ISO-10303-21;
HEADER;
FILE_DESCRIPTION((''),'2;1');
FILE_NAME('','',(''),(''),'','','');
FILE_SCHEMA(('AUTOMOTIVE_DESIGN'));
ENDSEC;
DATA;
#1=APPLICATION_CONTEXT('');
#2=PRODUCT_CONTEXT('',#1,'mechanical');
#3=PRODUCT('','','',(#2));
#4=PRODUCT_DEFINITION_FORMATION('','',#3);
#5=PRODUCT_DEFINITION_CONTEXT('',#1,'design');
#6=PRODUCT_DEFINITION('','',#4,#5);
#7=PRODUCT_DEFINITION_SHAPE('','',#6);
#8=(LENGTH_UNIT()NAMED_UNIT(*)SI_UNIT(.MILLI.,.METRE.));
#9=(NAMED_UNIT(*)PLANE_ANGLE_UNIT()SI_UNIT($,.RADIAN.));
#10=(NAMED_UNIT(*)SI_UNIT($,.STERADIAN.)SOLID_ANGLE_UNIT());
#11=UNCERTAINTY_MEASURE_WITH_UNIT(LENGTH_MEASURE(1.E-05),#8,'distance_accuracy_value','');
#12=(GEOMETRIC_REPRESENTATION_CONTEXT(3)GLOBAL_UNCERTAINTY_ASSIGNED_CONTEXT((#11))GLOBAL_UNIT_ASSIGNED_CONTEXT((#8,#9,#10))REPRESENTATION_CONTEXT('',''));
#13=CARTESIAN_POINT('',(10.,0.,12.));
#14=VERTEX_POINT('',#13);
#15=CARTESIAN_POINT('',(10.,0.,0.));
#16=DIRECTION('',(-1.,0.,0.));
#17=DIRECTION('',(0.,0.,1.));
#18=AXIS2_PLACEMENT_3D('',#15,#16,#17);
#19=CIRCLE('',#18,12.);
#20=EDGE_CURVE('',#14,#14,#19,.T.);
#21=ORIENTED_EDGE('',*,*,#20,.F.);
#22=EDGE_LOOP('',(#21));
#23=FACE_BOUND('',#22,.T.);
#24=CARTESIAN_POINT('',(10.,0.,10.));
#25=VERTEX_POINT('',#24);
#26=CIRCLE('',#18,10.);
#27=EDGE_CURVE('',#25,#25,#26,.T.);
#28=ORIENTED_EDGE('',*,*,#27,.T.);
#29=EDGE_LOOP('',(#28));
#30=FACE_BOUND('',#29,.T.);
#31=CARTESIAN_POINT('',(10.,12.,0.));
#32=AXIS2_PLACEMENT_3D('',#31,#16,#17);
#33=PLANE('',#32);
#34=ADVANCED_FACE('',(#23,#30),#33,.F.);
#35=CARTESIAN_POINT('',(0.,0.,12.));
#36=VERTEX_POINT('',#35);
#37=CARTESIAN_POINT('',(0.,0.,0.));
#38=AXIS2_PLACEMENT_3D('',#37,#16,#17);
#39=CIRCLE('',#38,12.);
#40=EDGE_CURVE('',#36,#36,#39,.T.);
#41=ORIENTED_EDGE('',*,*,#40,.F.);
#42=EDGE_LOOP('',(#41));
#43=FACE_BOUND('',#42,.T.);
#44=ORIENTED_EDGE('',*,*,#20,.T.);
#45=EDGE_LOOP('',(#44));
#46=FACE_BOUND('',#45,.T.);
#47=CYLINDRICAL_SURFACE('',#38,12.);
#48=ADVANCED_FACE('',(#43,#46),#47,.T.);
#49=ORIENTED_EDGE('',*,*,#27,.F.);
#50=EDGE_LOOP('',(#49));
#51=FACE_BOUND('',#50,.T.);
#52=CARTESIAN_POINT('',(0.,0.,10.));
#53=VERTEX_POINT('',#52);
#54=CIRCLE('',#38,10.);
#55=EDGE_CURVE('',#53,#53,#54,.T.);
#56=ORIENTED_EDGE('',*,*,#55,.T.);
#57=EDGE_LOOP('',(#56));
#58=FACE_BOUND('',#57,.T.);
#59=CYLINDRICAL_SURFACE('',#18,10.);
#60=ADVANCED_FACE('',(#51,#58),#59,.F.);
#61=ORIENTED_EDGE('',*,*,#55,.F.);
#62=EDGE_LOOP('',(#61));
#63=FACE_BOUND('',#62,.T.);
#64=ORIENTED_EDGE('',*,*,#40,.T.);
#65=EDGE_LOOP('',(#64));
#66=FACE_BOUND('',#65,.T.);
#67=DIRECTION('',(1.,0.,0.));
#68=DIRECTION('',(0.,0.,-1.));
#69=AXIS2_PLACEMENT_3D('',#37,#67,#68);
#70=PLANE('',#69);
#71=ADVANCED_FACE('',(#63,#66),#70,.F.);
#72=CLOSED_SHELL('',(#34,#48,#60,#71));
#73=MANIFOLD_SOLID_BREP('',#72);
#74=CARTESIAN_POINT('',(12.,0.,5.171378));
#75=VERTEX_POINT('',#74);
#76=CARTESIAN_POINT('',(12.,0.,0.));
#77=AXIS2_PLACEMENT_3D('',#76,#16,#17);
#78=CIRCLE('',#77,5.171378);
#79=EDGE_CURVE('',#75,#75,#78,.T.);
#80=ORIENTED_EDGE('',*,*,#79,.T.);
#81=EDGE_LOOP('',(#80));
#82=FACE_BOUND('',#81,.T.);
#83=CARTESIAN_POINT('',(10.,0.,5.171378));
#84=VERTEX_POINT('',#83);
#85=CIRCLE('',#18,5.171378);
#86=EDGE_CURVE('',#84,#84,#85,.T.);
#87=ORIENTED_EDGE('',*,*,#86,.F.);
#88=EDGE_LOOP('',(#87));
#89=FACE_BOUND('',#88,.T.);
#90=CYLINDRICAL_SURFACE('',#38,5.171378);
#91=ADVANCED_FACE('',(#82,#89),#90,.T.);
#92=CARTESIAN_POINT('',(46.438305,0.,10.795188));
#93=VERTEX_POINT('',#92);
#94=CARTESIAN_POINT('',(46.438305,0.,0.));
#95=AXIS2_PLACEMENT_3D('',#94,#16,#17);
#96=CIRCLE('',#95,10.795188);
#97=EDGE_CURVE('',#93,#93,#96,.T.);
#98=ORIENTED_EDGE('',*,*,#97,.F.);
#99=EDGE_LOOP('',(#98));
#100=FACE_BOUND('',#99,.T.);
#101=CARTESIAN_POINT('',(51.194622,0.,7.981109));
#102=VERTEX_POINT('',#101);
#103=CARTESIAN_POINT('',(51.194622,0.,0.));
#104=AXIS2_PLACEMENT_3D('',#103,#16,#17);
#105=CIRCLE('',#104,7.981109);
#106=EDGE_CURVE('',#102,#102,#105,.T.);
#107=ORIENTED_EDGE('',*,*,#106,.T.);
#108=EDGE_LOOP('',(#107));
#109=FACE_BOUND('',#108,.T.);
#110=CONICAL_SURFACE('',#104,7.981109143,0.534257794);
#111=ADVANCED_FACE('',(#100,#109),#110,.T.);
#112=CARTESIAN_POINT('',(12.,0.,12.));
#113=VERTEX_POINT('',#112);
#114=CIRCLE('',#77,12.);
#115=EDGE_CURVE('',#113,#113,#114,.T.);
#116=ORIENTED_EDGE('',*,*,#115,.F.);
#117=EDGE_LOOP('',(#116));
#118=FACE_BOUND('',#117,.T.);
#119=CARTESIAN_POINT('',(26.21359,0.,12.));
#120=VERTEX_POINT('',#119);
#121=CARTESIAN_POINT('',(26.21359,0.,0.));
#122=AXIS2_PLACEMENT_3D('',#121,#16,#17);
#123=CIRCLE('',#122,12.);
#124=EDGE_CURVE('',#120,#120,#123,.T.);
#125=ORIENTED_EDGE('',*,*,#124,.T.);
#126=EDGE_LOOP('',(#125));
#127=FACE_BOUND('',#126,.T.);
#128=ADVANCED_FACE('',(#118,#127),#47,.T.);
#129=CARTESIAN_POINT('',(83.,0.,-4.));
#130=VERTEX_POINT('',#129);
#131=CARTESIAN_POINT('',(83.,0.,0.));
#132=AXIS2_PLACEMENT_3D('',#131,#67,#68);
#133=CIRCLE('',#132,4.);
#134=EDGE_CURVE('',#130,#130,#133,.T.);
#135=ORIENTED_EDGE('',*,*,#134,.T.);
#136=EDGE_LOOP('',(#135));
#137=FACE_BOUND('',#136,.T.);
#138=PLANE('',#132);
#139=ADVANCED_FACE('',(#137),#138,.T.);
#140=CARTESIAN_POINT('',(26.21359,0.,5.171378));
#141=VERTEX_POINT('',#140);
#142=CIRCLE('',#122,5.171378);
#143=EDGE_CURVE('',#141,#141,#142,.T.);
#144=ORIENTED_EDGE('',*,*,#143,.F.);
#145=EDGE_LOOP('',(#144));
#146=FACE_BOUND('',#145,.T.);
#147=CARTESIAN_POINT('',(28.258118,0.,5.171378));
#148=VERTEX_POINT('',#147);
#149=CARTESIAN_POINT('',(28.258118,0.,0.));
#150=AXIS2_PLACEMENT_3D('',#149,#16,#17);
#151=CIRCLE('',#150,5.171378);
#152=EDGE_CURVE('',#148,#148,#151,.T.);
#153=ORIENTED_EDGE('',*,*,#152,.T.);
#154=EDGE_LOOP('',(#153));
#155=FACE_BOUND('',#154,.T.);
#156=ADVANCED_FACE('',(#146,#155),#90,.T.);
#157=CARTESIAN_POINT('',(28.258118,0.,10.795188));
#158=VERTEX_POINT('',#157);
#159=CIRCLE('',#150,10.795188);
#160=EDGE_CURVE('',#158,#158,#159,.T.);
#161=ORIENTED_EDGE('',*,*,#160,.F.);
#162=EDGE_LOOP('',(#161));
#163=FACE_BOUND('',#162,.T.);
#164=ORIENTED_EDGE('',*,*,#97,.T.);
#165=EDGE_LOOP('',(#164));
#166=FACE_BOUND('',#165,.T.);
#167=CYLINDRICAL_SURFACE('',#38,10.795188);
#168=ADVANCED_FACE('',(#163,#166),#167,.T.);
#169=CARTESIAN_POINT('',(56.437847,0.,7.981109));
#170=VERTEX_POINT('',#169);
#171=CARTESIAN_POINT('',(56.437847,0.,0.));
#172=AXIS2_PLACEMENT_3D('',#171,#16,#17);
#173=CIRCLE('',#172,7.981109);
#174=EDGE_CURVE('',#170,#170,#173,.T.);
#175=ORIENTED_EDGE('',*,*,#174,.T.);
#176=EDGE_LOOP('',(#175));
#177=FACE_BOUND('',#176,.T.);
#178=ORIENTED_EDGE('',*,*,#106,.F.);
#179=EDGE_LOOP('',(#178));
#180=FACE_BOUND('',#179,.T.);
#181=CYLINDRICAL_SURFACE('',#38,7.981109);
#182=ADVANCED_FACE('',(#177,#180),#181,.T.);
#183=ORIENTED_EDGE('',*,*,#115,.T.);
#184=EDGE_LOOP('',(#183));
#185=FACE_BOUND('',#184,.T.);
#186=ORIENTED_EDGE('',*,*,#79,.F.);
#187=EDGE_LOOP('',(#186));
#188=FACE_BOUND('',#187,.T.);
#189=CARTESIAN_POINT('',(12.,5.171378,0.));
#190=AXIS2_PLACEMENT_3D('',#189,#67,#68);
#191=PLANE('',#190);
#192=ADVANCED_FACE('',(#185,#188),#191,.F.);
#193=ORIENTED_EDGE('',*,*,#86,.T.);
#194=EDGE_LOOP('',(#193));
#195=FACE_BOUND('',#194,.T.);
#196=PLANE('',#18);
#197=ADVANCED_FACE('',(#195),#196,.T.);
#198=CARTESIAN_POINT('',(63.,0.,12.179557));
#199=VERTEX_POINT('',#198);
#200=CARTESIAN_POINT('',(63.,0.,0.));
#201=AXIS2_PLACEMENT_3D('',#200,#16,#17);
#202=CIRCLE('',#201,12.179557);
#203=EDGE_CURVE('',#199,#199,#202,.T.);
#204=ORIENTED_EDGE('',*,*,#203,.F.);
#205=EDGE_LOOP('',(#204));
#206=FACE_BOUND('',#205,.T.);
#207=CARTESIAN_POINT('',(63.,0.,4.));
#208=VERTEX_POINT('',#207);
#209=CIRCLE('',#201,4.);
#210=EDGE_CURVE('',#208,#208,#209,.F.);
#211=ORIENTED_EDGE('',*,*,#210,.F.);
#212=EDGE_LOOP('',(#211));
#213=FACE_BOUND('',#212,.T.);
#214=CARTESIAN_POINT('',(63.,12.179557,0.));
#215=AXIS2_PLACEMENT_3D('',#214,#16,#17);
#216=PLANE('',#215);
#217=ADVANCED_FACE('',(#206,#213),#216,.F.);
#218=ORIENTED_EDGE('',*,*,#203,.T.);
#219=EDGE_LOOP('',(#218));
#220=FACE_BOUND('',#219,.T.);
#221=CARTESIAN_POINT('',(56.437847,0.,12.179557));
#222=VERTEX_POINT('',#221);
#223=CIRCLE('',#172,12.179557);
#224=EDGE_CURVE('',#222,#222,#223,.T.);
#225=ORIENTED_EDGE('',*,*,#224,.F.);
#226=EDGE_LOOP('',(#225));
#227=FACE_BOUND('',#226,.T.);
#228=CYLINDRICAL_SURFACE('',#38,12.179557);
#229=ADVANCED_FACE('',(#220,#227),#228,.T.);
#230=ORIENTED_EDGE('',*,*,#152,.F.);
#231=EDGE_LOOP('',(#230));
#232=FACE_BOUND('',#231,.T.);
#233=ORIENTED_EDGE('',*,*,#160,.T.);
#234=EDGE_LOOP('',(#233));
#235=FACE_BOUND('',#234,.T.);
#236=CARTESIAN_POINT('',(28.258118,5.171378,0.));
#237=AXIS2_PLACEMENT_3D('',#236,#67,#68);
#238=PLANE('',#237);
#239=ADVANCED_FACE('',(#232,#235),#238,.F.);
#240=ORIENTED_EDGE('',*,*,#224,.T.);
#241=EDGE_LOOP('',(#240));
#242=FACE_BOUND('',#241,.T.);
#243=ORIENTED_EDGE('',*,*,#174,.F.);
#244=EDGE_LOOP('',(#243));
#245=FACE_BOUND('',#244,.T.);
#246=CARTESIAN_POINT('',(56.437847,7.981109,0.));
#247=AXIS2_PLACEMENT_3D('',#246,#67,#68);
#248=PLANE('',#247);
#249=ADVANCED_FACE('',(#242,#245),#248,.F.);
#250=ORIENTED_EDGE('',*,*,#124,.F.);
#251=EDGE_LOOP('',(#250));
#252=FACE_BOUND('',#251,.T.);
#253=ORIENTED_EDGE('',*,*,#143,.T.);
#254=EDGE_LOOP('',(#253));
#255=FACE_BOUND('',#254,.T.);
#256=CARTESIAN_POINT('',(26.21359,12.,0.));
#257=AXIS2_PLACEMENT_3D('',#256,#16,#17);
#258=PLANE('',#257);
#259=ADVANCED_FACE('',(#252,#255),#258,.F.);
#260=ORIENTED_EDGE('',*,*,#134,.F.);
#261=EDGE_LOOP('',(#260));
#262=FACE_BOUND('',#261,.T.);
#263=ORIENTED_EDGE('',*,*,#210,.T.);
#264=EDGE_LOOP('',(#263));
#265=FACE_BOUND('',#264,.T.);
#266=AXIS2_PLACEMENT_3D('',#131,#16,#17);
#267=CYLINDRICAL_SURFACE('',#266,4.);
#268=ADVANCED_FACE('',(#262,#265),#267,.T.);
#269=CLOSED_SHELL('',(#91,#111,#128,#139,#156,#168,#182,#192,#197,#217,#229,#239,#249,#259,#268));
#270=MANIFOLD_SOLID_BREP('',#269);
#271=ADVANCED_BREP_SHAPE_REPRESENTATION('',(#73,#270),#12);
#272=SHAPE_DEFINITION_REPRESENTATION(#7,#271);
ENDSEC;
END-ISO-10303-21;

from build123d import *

# Parameters (mm, degrees)
SKETCH_2_R          = 10
CUT_EXTRUDE_1_DEPTH = 10
SKETCH_3_R          = 4
EXTRUDE_1_DEPTH     = 20


with BuildPart() as part:
    # 草图1 → 旋转1 (revolve)
    with BuildSketch(Plane.XY, mode=Mode.PRIVATE) as revolve_1_sk:
        Polygon((0, 0), (0, 12), (10, 12), (10, 5.171378426), (12, 5.171378426), (12, 12), (26.213590289, 12), (26.213590289, 5.171378426), (28.258117979, 5.171378426), (28.258117979, 10.795188001), (46.438305119, 10.795188001), (51.194621956, 7.981109143), (56.437846762, 7.981109143), (56.437846762, 12.17955734), (63, 12.17955734), (63, 0), align=None)
    revolve(revolve_1_sk.sketch.rotate(Axis((0, 0, 0), (1, 0, 0)), 90), axis=Axis((0, 0, 0), (1, 0, 0)))

    # 草图2 → 切除-拉伸1 (cut)
    with BuildSketch(Plane.ZY):
        Circle(SKETCH_2_R)
    extrude(amount=-CUT_EXTRUDE_1_DEPTH, mode=Mode.SUBTRACT)


with BuildPart() as cut_extrude_1_piece_1:
    # of the separate pieces the step leaves, piece 1, a body of its own (cut_extrude_1_pieces)
    add(part.part.solids().sort_by_distance((10, 0, 5.171378426))[0])

    # 草图3 → 凸台-拉伸1 (add)
    with BuildSketch(Plane(origin=(63, 0, 0), x_dir=(0, 0, -1), z_dir=(1, 0, 0))):
        with Locations(Location((0, 0, 0), (0, 0, 180))):
            Circle(SKETCH_3_R)
    extrude(amount=EXTRUDE_1_DEPTH)


with BuildPart() as cut_extrude_1_piece_2:
    # of the separate pieces the step leaves, piece 2, a body of its own (cut_extrude_1_pieces)
    add(part.part.solids().sort_by_distance((0, 0, 12))[0])


solid = Compound([cut_extrude_1_piece_1.part, cut_extrude_1_piece_2.part])
